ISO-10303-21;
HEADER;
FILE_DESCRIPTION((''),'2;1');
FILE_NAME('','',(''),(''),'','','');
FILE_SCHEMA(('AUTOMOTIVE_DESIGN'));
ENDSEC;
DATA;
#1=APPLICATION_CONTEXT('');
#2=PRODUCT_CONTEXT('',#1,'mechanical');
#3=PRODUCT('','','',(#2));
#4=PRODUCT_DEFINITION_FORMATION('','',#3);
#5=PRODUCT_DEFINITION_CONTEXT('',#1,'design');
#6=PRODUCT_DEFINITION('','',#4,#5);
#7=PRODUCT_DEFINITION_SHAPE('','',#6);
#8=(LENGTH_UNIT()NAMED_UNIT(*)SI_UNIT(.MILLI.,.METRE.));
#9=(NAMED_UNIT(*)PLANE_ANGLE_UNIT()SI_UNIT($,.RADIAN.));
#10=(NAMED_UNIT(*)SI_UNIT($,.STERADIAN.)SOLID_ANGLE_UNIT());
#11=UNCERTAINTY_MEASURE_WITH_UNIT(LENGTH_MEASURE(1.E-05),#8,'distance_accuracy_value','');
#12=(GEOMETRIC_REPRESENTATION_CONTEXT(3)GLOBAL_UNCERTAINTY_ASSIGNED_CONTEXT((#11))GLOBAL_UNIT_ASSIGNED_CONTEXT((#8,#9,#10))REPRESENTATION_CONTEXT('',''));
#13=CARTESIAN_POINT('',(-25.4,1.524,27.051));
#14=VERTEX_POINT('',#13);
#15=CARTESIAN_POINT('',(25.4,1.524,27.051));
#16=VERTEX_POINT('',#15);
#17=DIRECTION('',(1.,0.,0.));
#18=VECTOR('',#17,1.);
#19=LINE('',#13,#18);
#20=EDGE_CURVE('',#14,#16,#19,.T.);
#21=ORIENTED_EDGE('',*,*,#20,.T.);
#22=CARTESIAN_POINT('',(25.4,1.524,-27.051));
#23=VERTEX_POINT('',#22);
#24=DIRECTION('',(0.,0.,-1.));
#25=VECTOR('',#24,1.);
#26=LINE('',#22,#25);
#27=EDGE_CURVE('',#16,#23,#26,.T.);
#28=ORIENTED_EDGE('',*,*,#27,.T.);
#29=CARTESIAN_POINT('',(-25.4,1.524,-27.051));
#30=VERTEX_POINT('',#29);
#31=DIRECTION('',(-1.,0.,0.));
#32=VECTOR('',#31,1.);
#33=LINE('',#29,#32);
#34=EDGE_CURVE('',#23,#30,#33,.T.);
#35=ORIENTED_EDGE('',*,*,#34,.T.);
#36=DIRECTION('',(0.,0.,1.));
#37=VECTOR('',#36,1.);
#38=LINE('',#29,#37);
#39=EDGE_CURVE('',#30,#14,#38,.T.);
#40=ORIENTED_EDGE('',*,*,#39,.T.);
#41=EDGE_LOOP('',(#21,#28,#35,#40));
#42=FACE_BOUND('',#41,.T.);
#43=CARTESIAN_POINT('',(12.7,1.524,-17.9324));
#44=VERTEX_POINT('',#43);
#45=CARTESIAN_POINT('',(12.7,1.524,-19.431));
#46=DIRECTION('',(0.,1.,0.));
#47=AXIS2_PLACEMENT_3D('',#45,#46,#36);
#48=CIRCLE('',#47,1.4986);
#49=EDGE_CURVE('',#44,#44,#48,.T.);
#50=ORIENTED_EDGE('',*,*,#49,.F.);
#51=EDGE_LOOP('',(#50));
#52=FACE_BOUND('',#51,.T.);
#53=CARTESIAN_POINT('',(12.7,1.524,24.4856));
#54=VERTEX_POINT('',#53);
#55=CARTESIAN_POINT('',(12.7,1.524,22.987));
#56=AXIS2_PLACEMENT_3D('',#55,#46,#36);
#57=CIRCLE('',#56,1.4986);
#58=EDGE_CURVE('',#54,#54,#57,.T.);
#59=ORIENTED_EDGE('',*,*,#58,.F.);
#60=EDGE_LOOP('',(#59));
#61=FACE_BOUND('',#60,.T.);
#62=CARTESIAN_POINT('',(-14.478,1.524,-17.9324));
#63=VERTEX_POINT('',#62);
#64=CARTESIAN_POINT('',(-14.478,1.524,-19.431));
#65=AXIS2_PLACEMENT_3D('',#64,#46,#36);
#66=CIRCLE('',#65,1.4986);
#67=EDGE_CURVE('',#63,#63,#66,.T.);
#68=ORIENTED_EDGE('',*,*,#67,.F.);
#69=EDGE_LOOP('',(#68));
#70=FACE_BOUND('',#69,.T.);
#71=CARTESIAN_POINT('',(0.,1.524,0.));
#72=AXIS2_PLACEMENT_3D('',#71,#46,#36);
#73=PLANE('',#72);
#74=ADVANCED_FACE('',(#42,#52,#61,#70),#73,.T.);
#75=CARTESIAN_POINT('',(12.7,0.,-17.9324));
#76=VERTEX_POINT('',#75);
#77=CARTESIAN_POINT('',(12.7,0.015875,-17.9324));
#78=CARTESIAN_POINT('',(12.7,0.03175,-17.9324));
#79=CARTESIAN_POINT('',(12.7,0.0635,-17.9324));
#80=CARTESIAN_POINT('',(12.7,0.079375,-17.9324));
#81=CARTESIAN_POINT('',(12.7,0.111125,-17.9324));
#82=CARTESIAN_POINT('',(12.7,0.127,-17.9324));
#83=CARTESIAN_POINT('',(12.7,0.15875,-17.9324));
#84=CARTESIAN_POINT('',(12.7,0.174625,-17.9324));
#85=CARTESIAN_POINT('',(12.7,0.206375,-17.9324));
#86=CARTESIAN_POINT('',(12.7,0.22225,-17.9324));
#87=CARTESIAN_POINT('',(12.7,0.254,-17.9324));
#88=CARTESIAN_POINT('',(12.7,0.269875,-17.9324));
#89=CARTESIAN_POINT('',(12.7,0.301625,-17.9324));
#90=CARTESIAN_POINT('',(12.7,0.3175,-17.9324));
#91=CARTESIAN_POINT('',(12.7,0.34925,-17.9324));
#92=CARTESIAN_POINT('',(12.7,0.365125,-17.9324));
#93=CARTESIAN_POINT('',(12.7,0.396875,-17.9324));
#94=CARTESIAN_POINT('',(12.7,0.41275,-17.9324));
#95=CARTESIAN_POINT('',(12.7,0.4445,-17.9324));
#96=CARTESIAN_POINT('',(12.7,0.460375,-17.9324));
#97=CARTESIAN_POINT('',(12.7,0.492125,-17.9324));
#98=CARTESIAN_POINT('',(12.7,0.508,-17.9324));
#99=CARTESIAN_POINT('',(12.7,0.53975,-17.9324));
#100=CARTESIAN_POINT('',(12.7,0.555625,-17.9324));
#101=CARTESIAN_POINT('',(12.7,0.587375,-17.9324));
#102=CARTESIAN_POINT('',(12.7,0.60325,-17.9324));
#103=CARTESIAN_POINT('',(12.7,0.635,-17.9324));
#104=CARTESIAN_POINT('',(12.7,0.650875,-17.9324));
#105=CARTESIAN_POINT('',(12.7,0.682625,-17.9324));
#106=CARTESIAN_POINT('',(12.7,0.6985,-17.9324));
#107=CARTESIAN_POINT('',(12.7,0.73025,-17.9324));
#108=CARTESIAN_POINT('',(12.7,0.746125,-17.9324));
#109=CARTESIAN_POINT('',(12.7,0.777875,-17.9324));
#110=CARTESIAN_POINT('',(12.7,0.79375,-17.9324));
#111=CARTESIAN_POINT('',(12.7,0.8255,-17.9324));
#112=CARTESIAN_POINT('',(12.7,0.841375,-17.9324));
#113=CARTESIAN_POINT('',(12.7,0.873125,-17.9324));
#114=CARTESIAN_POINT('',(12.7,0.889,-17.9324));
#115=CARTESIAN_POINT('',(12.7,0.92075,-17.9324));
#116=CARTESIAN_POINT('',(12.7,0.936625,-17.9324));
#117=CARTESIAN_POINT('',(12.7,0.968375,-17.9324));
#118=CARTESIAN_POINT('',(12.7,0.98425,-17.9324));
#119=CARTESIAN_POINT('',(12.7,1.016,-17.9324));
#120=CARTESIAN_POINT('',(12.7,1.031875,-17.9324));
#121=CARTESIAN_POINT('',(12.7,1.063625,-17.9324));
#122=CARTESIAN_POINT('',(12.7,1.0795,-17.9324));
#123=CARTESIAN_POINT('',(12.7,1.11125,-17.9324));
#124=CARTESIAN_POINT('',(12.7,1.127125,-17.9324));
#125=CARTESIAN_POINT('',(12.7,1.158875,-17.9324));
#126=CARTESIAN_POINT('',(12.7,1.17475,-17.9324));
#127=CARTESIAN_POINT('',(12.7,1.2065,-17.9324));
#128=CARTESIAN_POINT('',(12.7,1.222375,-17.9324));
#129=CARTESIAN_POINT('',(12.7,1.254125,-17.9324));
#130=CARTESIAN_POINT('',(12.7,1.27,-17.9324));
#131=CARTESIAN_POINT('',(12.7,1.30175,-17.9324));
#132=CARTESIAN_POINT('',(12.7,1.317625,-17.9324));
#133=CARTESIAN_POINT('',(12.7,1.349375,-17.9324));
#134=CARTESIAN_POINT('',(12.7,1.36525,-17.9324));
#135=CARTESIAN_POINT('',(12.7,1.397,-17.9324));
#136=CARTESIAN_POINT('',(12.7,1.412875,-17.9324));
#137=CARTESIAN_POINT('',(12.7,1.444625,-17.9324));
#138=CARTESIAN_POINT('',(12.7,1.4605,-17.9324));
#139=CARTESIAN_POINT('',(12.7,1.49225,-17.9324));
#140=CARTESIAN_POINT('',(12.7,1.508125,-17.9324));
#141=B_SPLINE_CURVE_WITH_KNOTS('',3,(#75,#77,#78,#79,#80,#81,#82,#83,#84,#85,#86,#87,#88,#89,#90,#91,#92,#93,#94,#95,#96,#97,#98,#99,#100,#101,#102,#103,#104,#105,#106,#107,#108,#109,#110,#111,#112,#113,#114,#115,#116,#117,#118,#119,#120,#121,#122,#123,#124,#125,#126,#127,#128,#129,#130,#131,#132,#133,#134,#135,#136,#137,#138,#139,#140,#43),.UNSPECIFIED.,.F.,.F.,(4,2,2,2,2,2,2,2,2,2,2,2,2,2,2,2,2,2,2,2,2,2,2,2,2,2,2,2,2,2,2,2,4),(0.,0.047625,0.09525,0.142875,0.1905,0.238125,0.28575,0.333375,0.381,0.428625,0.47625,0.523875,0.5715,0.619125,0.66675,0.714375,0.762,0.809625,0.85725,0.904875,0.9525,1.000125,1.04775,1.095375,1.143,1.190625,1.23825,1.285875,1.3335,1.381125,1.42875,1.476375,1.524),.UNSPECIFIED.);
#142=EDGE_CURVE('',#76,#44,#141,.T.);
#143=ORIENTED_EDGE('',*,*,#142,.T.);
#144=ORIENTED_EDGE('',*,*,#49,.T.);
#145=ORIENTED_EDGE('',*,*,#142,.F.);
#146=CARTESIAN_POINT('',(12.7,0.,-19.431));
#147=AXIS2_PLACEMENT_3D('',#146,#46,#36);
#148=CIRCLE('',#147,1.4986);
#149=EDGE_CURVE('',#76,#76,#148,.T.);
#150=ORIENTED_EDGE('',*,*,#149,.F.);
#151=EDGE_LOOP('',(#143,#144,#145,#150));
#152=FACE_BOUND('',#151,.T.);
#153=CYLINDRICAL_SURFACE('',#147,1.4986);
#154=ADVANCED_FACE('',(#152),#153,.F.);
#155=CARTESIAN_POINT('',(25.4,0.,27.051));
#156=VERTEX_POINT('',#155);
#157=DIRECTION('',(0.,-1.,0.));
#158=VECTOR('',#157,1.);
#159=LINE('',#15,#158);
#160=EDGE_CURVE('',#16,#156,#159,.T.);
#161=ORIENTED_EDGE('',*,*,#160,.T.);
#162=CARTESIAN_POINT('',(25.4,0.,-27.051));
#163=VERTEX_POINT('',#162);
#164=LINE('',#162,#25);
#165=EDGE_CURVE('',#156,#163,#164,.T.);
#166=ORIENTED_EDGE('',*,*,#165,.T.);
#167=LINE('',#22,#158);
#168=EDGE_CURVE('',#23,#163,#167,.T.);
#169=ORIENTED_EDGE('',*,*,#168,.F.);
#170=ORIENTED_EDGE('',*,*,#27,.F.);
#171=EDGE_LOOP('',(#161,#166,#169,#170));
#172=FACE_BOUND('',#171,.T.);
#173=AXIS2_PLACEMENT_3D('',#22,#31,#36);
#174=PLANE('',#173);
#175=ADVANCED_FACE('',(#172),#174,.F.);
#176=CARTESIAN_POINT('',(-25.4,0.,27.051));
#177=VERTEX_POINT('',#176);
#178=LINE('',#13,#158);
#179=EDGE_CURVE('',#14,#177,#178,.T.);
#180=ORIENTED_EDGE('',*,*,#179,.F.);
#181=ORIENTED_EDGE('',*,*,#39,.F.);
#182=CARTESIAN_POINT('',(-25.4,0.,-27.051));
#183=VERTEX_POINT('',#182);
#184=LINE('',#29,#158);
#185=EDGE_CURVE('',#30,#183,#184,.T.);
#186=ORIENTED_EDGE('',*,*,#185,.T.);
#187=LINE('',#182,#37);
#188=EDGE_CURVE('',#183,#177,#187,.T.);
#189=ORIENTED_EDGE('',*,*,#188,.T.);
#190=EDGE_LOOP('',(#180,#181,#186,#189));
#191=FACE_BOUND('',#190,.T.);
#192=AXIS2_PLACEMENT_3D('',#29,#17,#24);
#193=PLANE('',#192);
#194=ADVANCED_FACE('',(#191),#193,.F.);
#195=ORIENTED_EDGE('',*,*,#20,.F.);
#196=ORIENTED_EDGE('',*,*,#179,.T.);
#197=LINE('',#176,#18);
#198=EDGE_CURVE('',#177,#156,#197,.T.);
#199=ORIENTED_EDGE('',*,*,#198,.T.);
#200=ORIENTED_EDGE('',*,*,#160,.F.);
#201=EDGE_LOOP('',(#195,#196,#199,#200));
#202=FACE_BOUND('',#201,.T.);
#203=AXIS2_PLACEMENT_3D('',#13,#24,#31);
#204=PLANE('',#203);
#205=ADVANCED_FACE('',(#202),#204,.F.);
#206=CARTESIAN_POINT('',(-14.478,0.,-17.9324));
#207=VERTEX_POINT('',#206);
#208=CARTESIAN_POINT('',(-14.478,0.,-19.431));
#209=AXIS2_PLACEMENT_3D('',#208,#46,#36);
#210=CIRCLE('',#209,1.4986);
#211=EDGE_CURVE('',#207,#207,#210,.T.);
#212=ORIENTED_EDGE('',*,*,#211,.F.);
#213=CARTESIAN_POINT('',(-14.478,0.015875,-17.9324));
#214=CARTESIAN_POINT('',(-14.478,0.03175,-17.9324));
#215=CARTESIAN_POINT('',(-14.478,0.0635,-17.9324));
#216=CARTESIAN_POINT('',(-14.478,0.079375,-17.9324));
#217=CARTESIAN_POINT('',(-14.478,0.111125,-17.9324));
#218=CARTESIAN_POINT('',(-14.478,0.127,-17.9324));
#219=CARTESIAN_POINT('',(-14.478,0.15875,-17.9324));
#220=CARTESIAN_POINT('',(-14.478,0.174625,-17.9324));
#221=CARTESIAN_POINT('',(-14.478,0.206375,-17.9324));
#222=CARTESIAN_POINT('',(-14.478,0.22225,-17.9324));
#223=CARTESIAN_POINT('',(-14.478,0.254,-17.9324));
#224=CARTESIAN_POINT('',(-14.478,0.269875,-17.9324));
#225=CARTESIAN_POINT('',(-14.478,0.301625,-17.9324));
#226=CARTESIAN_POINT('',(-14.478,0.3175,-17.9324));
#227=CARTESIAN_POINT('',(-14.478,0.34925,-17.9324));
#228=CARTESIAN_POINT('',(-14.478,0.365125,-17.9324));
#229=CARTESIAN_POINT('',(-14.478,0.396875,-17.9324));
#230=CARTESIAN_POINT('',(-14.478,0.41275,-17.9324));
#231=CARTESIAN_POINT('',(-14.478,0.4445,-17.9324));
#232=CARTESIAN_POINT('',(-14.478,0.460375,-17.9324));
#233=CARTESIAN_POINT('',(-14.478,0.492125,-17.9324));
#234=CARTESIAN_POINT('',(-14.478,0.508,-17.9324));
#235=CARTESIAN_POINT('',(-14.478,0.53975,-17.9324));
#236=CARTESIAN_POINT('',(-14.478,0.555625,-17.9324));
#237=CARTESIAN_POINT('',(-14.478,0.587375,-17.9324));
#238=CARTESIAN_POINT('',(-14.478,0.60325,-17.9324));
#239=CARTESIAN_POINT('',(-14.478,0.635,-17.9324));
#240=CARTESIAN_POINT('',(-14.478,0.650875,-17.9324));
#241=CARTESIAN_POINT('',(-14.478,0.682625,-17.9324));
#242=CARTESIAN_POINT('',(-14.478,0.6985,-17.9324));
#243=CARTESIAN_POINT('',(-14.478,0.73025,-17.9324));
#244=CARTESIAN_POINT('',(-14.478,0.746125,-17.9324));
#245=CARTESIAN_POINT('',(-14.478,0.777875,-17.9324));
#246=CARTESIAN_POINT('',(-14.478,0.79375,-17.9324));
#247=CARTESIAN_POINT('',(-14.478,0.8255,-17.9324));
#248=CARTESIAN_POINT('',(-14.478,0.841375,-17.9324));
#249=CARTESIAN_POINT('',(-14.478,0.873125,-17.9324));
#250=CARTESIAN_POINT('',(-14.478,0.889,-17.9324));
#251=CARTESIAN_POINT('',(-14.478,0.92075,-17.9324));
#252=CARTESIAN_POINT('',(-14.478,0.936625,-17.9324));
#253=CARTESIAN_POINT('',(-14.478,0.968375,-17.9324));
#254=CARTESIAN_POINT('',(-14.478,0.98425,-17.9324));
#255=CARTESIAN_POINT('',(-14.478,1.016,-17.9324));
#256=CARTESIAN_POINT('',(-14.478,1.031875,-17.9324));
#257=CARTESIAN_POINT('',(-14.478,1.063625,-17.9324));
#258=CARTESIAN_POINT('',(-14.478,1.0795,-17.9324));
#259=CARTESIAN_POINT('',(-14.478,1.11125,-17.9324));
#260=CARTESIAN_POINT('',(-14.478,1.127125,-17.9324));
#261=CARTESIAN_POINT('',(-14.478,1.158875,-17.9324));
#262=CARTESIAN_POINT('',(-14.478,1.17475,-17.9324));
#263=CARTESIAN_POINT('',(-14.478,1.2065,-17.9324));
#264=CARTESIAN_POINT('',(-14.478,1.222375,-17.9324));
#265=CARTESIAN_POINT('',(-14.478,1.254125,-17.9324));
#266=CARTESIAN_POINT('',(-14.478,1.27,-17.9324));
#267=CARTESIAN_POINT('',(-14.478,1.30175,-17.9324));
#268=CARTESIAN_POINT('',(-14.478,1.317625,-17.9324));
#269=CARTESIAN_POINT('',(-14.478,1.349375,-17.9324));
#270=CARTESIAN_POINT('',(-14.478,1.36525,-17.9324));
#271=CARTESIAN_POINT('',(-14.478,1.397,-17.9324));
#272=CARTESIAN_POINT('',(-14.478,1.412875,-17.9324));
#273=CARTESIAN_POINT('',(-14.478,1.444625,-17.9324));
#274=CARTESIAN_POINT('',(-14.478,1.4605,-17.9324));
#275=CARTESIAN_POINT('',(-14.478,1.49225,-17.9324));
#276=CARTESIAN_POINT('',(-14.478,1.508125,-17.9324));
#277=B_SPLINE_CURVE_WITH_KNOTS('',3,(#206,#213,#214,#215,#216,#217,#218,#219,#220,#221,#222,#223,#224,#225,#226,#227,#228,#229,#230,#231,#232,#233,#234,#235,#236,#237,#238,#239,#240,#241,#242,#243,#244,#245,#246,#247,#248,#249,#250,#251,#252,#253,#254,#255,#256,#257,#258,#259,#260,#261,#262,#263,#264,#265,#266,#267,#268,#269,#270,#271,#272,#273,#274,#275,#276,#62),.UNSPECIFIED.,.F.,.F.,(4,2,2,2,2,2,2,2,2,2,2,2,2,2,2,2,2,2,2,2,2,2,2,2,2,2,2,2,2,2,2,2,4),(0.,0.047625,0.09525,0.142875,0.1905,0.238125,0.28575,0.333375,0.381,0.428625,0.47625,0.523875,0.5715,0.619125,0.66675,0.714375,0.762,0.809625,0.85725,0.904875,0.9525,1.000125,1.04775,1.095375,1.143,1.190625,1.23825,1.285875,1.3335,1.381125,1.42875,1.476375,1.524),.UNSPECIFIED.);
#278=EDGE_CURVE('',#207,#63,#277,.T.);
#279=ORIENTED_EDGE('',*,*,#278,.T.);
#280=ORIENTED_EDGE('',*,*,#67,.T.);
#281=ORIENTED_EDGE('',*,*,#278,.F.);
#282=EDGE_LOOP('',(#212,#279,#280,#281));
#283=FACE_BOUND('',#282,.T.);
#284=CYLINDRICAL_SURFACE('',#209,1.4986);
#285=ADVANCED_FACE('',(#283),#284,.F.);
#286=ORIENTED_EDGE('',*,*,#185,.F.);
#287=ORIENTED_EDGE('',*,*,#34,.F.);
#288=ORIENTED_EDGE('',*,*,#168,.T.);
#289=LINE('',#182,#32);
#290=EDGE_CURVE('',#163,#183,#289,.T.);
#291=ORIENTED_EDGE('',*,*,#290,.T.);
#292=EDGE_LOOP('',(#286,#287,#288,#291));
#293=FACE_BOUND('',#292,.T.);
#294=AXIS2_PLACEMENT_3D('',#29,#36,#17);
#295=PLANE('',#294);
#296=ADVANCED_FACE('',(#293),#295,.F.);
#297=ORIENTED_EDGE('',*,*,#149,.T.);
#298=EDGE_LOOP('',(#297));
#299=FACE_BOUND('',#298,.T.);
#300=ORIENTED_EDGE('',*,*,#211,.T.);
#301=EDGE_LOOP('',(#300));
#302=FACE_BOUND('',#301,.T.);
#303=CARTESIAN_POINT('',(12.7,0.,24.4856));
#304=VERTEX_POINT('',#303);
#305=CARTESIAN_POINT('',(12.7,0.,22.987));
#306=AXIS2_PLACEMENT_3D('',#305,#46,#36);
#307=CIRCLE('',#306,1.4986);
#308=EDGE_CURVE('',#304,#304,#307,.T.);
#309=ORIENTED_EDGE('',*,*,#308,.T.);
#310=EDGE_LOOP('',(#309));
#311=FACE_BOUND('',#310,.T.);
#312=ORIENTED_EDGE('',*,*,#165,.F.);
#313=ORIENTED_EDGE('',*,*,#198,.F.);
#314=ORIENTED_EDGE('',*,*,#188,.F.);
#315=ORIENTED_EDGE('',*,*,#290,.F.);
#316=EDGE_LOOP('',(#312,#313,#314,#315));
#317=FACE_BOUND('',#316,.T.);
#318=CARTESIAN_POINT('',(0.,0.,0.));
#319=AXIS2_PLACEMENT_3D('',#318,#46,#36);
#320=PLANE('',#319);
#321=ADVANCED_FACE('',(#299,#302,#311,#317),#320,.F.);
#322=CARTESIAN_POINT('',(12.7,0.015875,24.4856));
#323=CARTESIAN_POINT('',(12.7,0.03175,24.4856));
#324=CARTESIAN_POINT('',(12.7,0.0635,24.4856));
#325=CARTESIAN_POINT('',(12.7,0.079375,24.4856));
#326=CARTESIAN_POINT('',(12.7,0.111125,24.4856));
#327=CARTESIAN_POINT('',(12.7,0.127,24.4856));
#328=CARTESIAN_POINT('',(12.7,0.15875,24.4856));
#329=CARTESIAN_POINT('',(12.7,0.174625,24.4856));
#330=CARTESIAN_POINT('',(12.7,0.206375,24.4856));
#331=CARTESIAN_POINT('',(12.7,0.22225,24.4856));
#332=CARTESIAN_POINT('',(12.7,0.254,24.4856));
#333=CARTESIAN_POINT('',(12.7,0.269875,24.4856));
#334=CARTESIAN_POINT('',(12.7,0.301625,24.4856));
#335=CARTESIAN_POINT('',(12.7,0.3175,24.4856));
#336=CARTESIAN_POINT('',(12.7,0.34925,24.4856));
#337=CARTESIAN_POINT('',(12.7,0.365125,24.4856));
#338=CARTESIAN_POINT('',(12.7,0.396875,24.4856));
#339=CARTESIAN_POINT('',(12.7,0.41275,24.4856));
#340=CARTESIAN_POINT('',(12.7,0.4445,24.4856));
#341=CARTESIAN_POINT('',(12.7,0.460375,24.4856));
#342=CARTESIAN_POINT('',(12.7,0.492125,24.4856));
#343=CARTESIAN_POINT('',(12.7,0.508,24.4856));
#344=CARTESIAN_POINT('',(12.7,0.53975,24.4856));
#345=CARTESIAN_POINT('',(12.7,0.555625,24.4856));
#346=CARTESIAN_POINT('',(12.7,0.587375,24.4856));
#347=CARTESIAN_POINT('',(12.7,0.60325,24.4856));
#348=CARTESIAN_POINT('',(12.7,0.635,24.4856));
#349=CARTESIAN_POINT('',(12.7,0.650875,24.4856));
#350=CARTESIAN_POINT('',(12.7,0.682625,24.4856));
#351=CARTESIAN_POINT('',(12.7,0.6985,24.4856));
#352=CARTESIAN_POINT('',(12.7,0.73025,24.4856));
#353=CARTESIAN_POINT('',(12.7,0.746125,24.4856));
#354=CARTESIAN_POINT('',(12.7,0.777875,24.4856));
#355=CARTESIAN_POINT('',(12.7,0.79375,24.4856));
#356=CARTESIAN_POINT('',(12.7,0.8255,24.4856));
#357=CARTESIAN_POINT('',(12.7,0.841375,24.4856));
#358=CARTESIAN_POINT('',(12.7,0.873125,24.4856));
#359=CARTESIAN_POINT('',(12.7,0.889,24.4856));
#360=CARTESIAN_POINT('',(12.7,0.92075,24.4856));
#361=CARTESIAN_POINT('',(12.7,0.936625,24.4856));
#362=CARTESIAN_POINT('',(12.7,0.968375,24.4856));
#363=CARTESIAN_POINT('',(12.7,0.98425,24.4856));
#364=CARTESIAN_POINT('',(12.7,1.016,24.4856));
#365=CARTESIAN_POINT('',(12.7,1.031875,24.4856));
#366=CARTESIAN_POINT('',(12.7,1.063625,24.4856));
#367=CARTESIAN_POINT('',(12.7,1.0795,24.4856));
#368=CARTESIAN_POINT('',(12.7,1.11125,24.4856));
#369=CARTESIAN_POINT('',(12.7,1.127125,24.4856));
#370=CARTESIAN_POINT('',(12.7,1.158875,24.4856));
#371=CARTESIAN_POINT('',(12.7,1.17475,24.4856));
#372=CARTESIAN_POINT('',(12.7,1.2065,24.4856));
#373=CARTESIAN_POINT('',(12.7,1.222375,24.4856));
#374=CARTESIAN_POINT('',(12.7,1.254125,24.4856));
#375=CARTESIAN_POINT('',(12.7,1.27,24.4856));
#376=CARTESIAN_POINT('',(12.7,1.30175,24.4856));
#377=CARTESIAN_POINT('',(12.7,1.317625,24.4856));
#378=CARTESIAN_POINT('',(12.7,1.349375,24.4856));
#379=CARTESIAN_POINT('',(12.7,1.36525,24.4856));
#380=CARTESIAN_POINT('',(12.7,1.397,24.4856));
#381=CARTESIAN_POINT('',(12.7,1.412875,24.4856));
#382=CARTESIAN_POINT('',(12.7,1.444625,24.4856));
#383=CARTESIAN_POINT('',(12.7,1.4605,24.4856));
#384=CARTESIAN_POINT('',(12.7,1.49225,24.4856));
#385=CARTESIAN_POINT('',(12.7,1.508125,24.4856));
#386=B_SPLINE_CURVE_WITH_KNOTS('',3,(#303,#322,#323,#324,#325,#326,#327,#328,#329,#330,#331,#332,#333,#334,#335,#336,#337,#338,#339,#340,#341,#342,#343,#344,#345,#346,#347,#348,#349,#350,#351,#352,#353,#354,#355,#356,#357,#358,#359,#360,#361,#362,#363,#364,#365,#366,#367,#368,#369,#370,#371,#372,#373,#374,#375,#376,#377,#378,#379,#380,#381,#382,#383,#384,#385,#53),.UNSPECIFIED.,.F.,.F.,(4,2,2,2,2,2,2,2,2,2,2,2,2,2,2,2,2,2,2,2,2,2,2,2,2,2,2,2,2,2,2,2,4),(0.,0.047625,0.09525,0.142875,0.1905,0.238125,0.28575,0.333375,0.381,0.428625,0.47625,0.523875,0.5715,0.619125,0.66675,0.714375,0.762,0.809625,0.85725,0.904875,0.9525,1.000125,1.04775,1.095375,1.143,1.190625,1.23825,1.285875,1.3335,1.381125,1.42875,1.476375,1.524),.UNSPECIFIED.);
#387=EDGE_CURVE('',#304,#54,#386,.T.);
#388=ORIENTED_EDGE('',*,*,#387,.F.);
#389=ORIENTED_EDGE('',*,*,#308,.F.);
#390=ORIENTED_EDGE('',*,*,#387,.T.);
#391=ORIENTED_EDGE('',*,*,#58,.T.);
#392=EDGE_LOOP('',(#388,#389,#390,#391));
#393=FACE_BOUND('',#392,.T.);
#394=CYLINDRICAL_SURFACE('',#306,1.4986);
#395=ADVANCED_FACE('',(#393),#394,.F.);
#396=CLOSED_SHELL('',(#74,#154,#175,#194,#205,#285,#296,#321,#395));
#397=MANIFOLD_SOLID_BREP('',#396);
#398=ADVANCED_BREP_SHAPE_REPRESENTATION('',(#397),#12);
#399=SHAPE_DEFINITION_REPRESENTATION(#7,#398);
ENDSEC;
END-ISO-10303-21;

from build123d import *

# Parameters (mm, degrees)
SKETCH1_W           = 50.8
SKETCH1_H           = 54.102
BOSS_EXTRUDE1_DEPTH = 1.524
SKETCH2_R           = 1.4986
CUT_EXTRUDE1_DEPTH  = 1.524


with BuildPart() as part:
    # Sketch1 → Boss-Extrude1 (new body)
    with BuildSketch(Plane(origin=(0, 0, 0), x_dir=(1, 0, 0), z_dir=(0, 1, 0))):
        Rectangle(SKETCH1_W, SKETCH1_H)
    extrude(amount=BOSS_EXTRUDE1_DEPTH)

    # Sketch2 → Cut-Extrude1 (cut)
    with BuildSketch(Plane(origin=(0, 1.524, 0), x_dir=(1, 0, 0), z_dir=(0, 1, 0))):
        with Locations(Location((-14.478, 19.431, 0), (0, 0, 270))):
            Circle(SKETCH2_R)
        with Locations(Location((12.7, 19.431, 0), (0, 0, 270))):
            Circle(SKETCH2_R)
        with Locations(Location((12.7, -22.987, 0), (0, 0, 270))):
            Circle(SKETCH2_R)
    extrude(amount=-CUT_EXTRUDE1_DEPTH, mode=Mode.SUBTRACT)


solid = part.part
